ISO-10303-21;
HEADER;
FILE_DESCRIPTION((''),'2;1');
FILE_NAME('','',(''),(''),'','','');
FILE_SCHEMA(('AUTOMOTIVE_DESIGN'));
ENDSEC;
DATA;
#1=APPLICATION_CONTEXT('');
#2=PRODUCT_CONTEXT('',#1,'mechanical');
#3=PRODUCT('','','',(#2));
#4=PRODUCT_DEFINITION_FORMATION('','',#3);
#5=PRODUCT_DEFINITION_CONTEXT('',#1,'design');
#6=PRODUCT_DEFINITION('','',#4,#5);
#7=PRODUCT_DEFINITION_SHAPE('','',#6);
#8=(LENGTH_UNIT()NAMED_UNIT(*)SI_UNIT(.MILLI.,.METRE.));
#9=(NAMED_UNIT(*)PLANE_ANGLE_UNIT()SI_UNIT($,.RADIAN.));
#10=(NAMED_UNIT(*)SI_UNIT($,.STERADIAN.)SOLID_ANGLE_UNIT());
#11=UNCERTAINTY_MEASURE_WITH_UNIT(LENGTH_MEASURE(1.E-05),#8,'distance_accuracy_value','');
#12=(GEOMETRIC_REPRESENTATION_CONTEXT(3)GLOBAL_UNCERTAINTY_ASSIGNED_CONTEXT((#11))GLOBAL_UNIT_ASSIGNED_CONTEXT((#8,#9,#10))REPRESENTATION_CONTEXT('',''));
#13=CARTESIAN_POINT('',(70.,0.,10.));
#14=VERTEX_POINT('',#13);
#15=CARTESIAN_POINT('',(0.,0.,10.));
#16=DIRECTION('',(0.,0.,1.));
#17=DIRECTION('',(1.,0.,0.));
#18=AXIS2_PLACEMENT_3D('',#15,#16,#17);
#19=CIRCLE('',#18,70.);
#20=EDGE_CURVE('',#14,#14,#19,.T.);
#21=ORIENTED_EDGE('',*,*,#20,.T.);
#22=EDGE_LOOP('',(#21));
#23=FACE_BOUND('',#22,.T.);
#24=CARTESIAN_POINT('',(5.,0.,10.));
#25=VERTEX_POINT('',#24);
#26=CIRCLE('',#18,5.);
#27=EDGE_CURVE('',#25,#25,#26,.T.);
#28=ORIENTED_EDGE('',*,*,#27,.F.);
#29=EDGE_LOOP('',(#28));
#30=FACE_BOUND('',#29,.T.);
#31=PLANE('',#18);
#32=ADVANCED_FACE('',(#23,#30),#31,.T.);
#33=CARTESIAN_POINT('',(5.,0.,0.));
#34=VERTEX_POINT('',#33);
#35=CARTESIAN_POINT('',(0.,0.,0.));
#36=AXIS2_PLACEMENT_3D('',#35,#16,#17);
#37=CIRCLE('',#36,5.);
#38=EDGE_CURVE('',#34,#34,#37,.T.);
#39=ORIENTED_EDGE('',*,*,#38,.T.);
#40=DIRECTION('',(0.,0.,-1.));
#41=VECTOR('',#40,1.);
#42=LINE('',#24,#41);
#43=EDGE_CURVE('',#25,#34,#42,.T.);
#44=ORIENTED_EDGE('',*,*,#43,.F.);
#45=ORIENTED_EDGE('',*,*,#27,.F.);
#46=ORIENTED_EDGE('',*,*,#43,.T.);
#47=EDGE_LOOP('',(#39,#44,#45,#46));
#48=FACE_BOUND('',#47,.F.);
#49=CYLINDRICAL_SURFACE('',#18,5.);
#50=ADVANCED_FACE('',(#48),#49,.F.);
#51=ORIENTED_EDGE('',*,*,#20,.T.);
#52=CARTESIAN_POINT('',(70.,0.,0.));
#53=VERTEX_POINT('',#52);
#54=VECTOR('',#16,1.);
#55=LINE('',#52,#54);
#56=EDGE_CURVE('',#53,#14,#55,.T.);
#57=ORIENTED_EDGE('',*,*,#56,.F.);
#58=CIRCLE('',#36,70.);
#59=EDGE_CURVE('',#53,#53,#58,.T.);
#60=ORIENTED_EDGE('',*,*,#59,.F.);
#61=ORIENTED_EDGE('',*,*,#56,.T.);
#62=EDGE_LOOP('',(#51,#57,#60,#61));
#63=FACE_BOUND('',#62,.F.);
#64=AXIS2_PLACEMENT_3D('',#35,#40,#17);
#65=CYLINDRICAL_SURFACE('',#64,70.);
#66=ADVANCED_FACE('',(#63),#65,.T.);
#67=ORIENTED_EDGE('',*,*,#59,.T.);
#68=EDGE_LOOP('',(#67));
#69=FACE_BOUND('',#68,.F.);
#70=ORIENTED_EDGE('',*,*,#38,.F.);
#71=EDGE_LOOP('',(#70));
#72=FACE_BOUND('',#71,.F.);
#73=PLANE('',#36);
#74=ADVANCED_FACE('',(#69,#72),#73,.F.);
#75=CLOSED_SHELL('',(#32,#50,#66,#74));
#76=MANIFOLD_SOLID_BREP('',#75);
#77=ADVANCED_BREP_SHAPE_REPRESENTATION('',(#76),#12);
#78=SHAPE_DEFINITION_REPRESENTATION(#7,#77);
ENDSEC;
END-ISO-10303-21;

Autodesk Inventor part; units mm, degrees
ref_plane "YZ Plane" through (0, 0, 0) normal (1, 0, 0) x (0, 1, 0)
ref_plane "XZ Plane" through (0, 0, 0) normal (0, 1, 0) x (-1, 0, 0)
ref_plane "XY Plane" through (0, 0, 0) normal (0, 0, 1) x (1, 0, 0)
sketch "Эскиз1" plane through (0, 0, 0) normal (0, 0, 1) x (1, 0, 0)
  circle A0 centre (0, 0) radius 70
  dimension "d0" = 140
extrude "Выдавливание1" add sketch "Эскиз1" along normal blind 10
sketch "Эскиз2" plane through (0, 0, 10) normal (0, 0, 1) x (1, 0, 0)
  circle A0 centre (0, 0) radius 5
  dimension "d3" = 10
extrude "Выдавливание2" cut sketch "Эскиз2" against normal through all
sketch "Эскиз4" plane through (0, 0, 10) normal (0, 0, 1) x (1, 0, 0)
  line L0 (0, -98) -> (0, 98) projected
  circle A0 centre (0, 35) radius 15
  circle A1 centre (-30.3109, 17.5) radius 15
  circle A2 centre (-30.3109, -17.5) radius 15
  circle A3 centre (0, -35) radius 15
  circle A4 centre (30.3109, -17.5) radius 15
  circle A5 centre (30.3109, 17.5) radius 15
  point P0 (0, 0)
  point P1 (0, 0)
  point P2 (0, 0)
  point P3 (0, 0)
  point P4 (0, 0)
  point P5 (0, 0)
  dimension "d9" = 30
  dimension "d10" = 35
  dimension "d13" = 360
extrude "Выдавливание3" [suppressed]
properties part number "маховик_v1"
